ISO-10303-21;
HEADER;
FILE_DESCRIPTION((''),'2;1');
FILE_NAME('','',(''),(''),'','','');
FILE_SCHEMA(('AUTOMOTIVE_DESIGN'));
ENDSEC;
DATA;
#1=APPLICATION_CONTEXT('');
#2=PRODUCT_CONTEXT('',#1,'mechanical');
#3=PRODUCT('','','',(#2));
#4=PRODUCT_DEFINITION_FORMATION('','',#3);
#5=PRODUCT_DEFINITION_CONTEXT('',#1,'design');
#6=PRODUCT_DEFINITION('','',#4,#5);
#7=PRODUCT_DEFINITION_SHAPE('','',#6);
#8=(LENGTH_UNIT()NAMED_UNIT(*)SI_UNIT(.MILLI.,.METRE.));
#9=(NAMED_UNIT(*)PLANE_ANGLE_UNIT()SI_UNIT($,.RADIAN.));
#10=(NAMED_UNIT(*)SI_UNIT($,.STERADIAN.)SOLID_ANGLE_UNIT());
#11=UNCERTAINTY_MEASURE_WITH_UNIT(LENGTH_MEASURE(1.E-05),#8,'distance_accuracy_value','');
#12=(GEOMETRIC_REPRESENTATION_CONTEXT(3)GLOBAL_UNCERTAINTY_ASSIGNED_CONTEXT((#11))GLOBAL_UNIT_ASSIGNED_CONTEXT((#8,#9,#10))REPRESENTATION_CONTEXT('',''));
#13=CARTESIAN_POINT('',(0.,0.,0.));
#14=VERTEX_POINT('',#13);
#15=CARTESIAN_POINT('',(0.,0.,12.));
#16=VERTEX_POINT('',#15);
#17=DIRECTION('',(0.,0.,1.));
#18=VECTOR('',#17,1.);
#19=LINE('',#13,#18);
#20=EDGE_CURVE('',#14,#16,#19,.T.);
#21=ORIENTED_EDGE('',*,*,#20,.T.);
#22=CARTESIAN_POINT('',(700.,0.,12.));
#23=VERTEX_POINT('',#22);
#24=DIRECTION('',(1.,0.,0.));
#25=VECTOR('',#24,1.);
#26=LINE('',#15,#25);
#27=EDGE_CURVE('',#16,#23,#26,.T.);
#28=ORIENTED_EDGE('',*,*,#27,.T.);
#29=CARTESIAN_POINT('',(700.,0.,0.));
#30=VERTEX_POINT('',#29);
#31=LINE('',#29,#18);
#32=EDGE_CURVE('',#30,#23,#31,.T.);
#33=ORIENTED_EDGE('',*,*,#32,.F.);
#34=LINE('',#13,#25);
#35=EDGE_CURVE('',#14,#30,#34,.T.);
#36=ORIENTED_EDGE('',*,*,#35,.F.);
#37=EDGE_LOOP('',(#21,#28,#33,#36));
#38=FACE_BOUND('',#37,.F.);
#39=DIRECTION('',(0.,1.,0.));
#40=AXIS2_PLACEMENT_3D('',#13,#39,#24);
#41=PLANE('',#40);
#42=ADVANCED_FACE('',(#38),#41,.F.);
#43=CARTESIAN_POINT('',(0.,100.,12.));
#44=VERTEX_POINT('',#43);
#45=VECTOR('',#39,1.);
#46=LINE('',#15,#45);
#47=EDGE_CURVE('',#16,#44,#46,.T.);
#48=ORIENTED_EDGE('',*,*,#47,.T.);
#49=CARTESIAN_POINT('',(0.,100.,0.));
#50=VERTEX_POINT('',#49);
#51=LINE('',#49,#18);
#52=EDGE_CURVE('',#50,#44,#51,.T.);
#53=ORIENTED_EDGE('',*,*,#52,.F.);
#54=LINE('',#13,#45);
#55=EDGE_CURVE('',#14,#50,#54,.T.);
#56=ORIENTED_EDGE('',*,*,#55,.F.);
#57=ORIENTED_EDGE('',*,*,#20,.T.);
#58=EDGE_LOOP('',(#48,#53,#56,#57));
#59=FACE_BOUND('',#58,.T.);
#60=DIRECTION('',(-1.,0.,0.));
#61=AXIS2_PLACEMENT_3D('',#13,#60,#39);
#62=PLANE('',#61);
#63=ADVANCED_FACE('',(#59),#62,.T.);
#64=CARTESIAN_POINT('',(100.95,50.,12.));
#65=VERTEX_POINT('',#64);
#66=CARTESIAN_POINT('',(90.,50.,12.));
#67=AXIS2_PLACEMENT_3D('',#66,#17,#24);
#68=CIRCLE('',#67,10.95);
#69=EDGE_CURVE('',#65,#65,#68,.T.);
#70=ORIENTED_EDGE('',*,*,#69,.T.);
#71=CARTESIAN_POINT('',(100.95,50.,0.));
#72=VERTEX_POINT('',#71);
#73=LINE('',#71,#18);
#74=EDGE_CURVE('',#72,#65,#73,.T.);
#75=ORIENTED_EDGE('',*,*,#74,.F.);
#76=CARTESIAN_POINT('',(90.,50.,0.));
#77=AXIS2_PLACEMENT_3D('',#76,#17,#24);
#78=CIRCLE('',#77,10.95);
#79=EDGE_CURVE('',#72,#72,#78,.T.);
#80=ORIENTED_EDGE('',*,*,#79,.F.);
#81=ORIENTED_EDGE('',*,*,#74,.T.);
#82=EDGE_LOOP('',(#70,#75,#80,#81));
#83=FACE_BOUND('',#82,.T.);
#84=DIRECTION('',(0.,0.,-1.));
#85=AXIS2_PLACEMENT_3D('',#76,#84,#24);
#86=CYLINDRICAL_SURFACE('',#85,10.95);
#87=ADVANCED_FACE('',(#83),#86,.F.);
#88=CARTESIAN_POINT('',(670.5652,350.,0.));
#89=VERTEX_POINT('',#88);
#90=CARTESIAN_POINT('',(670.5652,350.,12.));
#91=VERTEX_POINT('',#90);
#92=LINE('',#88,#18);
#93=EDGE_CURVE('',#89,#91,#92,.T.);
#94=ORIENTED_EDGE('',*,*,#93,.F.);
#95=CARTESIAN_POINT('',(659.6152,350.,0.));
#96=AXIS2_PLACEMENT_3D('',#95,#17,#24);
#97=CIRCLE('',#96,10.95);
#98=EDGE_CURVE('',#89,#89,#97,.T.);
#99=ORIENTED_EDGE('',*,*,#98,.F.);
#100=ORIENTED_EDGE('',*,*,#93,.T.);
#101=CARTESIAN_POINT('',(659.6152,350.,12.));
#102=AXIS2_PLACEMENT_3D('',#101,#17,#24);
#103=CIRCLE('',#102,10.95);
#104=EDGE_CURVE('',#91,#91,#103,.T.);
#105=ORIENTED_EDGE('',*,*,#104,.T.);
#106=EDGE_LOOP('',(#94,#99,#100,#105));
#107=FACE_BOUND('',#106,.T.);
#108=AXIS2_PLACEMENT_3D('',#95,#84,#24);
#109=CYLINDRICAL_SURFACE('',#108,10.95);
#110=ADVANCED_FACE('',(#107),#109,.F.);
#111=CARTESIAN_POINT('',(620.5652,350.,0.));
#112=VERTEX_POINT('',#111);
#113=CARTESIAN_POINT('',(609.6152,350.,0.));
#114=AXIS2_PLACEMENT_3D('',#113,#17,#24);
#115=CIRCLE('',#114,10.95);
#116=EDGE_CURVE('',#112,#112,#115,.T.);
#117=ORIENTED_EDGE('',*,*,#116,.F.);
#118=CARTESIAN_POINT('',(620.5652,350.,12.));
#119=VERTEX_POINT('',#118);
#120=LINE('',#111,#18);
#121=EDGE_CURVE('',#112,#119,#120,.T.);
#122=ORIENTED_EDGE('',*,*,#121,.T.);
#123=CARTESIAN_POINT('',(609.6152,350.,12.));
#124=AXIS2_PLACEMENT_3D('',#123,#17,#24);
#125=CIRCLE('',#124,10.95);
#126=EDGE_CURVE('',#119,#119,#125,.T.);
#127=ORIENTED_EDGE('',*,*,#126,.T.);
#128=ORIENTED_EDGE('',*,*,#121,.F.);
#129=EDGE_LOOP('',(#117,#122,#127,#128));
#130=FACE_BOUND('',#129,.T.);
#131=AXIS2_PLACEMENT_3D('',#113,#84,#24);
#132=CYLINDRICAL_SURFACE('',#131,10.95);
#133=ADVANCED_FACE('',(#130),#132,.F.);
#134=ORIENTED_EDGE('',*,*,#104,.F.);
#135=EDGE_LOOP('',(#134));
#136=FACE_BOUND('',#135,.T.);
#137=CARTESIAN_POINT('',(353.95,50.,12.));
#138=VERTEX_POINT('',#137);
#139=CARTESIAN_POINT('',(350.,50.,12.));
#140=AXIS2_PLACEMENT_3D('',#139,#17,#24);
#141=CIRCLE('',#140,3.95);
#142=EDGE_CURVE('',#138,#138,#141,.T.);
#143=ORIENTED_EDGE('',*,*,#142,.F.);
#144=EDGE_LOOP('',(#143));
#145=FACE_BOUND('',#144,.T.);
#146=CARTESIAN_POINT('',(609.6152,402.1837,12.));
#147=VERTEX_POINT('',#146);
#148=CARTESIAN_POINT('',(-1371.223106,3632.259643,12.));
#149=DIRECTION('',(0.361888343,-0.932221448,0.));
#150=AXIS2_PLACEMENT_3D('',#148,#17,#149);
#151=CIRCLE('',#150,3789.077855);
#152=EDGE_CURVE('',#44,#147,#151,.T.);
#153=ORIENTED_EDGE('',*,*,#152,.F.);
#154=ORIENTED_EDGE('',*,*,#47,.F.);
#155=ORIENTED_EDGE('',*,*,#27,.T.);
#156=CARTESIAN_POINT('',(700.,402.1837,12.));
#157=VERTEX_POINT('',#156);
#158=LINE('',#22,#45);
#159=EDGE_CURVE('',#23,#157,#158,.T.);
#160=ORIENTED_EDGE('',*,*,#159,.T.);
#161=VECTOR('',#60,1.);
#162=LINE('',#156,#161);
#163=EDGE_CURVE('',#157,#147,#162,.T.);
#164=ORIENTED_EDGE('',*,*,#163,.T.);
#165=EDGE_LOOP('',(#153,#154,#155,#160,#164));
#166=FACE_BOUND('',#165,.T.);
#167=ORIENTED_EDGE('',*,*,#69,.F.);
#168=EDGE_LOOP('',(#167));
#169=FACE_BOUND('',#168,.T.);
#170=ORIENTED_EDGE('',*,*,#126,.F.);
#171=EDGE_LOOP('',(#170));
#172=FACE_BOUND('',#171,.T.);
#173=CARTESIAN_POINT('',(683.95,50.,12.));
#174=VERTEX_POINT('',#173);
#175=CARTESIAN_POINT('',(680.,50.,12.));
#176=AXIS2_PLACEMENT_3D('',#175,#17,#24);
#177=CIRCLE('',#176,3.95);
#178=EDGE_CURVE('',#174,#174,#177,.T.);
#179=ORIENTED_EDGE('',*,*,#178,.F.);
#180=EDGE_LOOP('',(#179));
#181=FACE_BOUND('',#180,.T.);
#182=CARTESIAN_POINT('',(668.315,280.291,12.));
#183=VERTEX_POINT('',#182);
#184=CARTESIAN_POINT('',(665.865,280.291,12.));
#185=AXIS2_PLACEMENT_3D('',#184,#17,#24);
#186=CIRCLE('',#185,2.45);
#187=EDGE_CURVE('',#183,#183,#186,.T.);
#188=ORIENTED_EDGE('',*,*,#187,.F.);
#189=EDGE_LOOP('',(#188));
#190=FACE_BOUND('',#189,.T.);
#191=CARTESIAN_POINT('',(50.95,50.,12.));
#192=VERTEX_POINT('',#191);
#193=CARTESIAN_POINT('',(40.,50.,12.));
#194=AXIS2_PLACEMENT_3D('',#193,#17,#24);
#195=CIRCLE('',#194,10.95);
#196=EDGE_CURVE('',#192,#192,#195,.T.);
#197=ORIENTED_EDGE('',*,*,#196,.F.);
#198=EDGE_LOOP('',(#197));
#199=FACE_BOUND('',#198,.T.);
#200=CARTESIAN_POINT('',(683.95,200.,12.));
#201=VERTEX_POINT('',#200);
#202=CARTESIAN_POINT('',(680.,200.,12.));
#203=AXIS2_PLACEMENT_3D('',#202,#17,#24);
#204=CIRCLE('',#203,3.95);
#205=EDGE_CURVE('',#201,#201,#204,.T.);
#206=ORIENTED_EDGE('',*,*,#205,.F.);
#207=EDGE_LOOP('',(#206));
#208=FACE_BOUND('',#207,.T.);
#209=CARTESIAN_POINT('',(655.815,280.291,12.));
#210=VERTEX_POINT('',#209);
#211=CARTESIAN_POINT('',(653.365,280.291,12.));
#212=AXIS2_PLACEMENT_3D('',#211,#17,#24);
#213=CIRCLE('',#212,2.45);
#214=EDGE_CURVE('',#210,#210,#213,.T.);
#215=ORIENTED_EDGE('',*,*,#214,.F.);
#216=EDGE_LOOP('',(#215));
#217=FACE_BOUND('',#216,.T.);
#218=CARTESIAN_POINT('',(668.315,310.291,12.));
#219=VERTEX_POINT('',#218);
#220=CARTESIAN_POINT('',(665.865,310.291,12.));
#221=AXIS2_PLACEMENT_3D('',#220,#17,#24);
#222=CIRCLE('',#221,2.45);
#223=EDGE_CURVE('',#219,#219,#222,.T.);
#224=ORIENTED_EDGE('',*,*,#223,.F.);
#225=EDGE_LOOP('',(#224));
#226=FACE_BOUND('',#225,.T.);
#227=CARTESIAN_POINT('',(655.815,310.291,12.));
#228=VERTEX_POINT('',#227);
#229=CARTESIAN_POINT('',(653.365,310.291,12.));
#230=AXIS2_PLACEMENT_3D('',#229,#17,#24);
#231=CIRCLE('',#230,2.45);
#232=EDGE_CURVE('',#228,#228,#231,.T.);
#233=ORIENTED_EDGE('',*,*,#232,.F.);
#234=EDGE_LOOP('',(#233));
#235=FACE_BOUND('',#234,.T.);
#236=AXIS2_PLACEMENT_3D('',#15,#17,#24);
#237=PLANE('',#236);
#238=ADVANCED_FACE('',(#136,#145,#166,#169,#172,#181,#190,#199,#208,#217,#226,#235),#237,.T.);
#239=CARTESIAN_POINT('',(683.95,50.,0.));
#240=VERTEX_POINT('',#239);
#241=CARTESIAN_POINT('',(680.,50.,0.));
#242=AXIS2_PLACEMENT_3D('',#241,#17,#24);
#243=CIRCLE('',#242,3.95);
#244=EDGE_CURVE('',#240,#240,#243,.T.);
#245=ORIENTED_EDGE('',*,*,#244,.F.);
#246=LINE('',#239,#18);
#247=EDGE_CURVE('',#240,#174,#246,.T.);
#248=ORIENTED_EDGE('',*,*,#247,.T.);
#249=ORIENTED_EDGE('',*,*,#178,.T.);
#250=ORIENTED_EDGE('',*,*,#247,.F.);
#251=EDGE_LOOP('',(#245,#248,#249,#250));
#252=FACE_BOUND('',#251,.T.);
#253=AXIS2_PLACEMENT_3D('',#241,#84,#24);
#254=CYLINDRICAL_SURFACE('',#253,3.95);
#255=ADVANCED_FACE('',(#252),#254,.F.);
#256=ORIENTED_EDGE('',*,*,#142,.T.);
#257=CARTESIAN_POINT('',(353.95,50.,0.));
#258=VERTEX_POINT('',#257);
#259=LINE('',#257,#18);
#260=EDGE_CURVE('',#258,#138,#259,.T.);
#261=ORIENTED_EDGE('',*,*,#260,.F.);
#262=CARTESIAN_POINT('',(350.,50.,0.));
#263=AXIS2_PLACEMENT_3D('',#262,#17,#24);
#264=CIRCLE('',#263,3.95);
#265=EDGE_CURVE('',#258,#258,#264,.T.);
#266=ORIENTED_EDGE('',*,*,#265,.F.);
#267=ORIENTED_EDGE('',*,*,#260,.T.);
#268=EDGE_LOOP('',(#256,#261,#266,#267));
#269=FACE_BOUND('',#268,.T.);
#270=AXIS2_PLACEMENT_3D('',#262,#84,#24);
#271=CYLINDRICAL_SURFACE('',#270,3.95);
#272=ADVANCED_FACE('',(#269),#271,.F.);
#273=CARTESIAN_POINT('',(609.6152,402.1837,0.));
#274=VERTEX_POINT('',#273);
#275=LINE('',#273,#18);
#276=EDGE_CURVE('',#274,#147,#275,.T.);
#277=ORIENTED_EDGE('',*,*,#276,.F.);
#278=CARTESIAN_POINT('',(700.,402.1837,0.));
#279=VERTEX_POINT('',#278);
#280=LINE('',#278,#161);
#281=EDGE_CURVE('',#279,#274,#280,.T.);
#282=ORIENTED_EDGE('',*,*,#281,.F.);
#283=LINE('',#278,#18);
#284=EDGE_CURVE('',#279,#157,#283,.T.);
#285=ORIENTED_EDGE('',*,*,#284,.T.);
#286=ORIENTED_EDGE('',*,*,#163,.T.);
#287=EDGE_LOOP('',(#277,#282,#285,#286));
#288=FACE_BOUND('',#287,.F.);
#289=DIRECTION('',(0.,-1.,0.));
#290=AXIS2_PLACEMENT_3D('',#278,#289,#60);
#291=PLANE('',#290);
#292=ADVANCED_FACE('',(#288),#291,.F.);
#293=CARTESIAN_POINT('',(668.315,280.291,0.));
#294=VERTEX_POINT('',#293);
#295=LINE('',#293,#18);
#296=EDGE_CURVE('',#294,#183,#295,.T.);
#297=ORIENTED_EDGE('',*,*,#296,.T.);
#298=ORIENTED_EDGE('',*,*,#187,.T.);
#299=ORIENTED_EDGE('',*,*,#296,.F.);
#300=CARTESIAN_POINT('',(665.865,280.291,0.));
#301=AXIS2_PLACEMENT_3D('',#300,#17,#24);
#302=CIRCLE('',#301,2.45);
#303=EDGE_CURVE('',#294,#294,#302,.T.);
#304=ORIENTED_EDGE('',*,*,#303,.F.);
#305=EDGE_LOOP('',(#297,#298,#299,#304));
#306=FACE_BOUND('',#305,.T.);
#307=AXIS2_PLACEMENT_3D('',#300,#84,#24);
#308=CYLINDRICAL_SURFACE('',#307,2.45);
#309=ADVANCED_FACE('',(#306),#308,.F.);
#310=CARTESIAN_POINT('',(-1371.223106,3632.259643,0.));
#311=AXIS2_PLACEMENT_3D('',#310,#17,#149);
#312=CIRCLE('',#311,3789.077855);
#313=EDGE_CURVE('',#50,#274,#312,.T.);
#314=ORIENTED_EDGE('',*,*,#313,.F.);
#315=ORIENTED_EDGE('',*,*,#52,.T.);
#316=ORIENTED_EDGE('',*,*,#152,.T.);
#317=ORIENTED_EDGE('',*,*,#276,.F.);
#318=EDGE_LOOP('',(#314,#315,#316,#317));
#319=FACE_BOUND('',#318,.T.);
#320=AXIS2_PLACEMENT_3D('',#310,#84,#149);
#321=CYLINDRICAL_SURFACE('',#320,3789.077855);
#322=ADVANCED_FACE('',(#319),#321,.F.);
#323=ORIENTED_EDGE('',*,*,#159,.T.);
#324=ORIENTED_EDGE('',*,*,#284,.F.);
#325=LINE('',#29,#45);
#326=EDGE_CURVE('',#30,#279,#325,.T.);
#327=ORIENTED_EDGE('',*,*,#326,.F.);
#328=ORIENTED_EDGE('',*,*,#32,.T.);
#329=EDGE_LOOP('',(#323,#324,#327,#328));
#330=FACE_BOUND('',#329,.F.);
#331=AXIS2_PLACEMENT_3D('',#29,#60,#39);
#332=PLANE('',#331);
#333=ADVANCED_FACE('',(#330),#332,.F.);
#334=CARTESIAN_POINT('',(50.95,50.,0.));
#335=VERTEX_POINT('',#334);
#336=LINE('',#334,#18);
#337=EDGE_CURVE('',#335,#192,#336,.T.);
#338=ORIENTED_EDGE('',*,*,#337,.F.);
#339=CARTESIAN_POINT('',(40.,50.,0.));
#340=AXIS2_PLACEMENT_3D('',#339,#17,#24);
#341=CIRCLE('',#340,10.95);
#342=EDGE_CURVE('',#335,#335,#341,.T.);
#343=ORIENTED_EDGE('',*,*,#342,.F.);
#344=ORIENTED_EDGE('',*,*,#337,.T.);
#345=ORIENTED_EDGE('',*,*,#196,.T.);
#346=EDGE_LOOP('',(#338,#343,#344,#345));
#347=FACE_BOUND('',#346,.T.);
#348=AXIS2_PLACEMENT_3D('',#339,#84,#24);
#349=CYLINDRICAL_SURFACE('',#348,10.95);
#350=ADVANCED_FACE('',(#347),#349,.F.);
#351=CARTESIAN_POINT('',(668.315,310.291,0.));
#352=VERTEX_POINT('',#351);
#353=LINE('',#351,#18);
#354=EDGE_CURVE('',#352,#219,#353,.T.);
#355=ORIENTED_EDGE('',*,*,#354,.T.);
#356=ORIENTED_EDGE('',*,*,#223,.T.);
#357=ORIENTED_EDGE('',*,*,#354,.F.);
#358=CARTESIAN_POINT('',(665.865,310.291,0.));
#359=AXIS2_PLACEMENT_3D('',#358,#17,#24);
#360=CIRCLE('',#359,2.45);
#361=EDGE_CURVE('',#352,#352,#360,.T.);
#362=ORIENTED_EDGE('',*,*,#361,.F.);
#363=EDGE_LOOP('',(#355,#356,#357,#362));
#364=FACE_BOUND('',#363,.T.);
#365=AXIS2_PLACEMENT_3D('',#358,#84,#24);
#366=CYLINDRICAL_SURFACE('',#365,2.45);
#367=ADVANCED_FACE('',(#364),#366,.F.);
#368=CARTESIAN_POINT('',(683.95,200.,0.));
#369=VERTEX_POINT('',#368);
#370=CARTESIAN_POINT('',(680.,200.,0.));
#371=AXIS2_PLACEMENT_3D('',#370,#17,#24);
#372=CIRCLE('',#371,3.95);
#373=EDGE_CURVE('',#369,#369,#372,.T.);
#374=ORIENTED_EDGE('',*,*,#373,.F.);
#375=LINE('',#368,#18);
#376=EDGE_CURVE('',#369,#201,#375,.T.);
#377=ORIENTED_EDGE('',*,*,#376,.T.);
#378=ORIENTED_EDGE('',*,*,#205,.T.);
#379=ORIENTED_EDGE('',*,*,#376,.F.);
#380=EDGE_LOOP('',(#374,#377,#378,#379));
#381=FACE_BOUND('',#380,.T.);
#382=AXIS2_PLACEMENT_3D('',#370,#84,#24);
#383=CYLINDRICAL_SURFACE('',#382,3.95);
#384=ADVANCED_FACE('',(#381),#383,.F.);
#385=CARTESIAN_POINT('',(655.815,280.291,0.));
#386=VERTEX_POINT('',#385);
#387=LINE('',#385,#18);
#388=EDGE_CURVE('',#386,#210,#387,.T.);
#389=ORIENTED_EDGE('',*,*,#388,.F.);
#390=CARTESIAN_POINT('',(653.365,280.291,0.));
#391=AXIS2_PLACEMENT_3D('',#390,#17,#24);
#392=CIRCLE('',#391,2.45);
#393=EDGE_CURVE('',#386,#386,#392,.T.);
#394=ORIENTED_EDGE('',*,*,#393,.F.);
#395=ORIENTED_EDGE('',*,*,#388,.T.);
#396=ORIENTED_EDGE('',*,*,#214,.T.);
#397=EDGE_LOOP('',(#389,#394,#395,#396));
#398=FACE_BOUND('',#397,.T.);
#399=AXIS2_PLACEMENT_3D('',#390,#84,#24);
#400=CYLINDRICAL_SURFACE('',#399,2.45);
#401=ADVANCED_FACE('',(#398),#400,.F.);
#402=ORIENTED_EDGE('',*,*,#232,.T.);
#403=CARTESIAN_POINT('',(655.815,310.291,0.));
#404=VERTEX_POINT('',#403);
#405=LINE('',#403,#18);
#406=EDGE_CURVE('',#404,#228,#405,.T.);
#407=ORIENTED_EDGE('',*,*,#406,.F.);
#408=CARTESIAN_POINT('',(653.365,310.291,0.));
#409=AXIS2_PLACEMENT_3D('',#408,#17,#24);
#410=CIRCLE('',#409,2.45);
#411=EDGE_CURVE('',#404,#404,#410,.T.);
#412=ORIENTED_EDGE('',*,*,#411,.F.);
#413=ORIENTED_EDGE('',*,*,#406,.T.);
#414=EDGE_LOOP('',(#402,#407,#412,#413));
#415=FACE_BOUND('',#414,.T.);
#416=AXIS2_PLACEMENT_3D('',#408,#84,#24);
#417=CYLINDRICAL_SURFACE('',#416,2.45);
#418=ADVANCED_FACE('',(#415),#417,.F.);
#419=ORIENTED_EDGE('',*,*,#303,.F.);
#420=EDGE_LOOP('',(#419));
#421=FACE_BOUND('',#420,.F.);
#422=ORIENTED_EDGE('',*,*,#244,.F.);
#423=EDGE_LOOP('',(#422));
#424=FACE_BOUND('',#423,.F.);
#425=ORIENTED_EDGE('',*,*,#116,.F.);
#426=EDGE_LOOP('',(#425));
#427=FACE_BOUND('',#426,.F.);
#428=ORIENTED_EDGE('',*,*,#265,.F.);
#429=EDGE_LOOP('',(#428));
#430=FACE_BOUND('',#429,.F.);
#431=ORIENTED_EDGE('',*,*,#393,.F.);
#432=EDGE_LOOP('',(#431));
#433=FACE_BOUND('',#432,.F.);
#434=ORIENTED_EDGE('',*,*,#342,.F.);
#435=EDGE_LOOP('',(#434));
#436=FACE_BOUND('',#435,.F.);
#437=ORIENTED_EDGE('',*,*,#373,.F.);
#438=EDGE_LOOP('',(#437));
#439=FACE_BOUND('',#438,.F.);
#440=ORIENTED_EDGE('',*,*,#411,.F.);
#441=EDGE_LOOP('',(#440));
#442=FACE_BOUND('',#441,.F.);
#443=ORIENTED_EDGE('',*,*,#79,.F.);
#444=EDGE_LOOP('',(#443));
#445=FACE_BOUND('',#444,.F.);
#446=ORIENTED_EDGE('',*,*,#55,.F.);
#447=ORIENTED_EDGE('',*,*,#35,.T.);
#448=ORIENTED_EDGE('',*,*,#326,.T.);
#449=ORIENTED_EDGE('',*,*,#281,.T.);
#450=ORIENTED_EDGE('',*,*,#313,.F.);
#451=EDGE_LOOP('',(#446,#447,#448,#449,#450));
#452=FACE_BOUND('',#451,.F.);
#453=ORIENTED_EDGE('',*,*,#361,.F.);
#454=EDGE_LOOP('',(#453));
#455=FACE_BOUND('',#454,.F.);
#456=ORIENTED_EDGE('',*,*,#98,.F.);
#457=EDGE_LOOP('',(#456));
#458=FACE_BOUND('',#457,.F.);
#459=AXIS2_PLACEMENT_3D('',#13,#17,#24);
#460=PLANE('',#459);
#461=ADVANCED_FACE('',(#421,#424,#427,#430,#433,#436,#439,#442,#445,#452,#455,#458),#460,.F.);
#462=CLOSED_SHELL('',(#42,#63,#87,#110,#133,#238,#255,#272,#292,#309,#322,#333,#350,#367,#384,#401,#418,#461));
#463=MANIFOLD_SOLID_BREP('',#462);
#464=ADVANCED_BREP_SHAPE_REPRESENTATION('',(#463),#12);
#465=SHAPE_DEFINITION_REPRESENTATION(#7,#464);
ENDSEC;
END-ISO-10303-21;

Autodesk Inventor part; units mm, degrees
ref_plane "YZ Plane" through (0, 0, 0) normal (1, 0, 0) x (0, 1, 0)
ref_plane "XZ Plane" through (0, 0, 0) normal (0, 1, 0) x (-1, 0, 0)
ref_plane "XY Plane" through (0, 0, 0) normal (0, 0, 1) x (1, 0, 0)
sketch "Sketch1" plane through (0, 0, 0) normal (0, 0, 1) x (1, 0, 0)
  line L0 (0, 0) -> (700, 0)
  line L1 (0, 0) -> (0, 100)
  circle A0 centre (40, 50) radius 10.95
  circle A1 centre (90, 50) radius 10.95
  circle A2 centre (609.6152, 350) radius 10.95
  circle A3 centre (659.6152, 350) radius 10.95
  line L2 (700, 0) -> (700, 402.1837)
  line L3 (700, 402.1837) -> (609.6152, 402.1837)
  arc A4 (0, 100) -> (609.6152, 402.1837) centre (-1371.2256, 3632.2653) ccw
  circle A5 centre (350, 50) radius 3.95
  circle A6 centre (680, 50) radius 3.95
  circle A7 centre (680, 200) radius 3.95
  circle A8 centre (665.865, 310.291) radius 2.45
  circle A9 centre (653.365, 310.291) radius 2.45
  circle A10 centre (665.865, 280.291) radius 2.45
  circle A11 centre (653.365, 280.291) radius 2.45
  dimension "d0" = 700
  dimension "d1" = 100
  dimension "d3" = 21.9
  dimension "d5" = 21.9
  dimension "d9" = 21.9
  dimension "d10" = 21.9
  dimension "d14" = 7.9
  dimension "d17" = 7.9
extrude "Plate1" add sketch "Sketch1" along normal blind 12
sketch "Sketch2" plane through (0, 0, 12) normal (0, 0, 1) x (1, 0, 0)
  point P0 (0, 0)
equation "\"d19\" = Thickness"
equation "\"BendRadius\" = Thickness"
equation "\"BendReliefWidth\" = Thickness"
equation "\"BendReliefDepth\" = 0.5 * Thickness"
equation "\"CornerReliefSize\" = 4 * Thickness"
equation "\"MinimumRemnant\" = 2 * Thickness"
equation "\"TransitionRadius\" = BendRadius"
equation "\"JacobiRadiusSize\" = BendRadius"
equation "\"GapSize\" = Thickness"
equation "\"Thickness\" = 12"
properties part number "Laser Print For Right Frame with support"
